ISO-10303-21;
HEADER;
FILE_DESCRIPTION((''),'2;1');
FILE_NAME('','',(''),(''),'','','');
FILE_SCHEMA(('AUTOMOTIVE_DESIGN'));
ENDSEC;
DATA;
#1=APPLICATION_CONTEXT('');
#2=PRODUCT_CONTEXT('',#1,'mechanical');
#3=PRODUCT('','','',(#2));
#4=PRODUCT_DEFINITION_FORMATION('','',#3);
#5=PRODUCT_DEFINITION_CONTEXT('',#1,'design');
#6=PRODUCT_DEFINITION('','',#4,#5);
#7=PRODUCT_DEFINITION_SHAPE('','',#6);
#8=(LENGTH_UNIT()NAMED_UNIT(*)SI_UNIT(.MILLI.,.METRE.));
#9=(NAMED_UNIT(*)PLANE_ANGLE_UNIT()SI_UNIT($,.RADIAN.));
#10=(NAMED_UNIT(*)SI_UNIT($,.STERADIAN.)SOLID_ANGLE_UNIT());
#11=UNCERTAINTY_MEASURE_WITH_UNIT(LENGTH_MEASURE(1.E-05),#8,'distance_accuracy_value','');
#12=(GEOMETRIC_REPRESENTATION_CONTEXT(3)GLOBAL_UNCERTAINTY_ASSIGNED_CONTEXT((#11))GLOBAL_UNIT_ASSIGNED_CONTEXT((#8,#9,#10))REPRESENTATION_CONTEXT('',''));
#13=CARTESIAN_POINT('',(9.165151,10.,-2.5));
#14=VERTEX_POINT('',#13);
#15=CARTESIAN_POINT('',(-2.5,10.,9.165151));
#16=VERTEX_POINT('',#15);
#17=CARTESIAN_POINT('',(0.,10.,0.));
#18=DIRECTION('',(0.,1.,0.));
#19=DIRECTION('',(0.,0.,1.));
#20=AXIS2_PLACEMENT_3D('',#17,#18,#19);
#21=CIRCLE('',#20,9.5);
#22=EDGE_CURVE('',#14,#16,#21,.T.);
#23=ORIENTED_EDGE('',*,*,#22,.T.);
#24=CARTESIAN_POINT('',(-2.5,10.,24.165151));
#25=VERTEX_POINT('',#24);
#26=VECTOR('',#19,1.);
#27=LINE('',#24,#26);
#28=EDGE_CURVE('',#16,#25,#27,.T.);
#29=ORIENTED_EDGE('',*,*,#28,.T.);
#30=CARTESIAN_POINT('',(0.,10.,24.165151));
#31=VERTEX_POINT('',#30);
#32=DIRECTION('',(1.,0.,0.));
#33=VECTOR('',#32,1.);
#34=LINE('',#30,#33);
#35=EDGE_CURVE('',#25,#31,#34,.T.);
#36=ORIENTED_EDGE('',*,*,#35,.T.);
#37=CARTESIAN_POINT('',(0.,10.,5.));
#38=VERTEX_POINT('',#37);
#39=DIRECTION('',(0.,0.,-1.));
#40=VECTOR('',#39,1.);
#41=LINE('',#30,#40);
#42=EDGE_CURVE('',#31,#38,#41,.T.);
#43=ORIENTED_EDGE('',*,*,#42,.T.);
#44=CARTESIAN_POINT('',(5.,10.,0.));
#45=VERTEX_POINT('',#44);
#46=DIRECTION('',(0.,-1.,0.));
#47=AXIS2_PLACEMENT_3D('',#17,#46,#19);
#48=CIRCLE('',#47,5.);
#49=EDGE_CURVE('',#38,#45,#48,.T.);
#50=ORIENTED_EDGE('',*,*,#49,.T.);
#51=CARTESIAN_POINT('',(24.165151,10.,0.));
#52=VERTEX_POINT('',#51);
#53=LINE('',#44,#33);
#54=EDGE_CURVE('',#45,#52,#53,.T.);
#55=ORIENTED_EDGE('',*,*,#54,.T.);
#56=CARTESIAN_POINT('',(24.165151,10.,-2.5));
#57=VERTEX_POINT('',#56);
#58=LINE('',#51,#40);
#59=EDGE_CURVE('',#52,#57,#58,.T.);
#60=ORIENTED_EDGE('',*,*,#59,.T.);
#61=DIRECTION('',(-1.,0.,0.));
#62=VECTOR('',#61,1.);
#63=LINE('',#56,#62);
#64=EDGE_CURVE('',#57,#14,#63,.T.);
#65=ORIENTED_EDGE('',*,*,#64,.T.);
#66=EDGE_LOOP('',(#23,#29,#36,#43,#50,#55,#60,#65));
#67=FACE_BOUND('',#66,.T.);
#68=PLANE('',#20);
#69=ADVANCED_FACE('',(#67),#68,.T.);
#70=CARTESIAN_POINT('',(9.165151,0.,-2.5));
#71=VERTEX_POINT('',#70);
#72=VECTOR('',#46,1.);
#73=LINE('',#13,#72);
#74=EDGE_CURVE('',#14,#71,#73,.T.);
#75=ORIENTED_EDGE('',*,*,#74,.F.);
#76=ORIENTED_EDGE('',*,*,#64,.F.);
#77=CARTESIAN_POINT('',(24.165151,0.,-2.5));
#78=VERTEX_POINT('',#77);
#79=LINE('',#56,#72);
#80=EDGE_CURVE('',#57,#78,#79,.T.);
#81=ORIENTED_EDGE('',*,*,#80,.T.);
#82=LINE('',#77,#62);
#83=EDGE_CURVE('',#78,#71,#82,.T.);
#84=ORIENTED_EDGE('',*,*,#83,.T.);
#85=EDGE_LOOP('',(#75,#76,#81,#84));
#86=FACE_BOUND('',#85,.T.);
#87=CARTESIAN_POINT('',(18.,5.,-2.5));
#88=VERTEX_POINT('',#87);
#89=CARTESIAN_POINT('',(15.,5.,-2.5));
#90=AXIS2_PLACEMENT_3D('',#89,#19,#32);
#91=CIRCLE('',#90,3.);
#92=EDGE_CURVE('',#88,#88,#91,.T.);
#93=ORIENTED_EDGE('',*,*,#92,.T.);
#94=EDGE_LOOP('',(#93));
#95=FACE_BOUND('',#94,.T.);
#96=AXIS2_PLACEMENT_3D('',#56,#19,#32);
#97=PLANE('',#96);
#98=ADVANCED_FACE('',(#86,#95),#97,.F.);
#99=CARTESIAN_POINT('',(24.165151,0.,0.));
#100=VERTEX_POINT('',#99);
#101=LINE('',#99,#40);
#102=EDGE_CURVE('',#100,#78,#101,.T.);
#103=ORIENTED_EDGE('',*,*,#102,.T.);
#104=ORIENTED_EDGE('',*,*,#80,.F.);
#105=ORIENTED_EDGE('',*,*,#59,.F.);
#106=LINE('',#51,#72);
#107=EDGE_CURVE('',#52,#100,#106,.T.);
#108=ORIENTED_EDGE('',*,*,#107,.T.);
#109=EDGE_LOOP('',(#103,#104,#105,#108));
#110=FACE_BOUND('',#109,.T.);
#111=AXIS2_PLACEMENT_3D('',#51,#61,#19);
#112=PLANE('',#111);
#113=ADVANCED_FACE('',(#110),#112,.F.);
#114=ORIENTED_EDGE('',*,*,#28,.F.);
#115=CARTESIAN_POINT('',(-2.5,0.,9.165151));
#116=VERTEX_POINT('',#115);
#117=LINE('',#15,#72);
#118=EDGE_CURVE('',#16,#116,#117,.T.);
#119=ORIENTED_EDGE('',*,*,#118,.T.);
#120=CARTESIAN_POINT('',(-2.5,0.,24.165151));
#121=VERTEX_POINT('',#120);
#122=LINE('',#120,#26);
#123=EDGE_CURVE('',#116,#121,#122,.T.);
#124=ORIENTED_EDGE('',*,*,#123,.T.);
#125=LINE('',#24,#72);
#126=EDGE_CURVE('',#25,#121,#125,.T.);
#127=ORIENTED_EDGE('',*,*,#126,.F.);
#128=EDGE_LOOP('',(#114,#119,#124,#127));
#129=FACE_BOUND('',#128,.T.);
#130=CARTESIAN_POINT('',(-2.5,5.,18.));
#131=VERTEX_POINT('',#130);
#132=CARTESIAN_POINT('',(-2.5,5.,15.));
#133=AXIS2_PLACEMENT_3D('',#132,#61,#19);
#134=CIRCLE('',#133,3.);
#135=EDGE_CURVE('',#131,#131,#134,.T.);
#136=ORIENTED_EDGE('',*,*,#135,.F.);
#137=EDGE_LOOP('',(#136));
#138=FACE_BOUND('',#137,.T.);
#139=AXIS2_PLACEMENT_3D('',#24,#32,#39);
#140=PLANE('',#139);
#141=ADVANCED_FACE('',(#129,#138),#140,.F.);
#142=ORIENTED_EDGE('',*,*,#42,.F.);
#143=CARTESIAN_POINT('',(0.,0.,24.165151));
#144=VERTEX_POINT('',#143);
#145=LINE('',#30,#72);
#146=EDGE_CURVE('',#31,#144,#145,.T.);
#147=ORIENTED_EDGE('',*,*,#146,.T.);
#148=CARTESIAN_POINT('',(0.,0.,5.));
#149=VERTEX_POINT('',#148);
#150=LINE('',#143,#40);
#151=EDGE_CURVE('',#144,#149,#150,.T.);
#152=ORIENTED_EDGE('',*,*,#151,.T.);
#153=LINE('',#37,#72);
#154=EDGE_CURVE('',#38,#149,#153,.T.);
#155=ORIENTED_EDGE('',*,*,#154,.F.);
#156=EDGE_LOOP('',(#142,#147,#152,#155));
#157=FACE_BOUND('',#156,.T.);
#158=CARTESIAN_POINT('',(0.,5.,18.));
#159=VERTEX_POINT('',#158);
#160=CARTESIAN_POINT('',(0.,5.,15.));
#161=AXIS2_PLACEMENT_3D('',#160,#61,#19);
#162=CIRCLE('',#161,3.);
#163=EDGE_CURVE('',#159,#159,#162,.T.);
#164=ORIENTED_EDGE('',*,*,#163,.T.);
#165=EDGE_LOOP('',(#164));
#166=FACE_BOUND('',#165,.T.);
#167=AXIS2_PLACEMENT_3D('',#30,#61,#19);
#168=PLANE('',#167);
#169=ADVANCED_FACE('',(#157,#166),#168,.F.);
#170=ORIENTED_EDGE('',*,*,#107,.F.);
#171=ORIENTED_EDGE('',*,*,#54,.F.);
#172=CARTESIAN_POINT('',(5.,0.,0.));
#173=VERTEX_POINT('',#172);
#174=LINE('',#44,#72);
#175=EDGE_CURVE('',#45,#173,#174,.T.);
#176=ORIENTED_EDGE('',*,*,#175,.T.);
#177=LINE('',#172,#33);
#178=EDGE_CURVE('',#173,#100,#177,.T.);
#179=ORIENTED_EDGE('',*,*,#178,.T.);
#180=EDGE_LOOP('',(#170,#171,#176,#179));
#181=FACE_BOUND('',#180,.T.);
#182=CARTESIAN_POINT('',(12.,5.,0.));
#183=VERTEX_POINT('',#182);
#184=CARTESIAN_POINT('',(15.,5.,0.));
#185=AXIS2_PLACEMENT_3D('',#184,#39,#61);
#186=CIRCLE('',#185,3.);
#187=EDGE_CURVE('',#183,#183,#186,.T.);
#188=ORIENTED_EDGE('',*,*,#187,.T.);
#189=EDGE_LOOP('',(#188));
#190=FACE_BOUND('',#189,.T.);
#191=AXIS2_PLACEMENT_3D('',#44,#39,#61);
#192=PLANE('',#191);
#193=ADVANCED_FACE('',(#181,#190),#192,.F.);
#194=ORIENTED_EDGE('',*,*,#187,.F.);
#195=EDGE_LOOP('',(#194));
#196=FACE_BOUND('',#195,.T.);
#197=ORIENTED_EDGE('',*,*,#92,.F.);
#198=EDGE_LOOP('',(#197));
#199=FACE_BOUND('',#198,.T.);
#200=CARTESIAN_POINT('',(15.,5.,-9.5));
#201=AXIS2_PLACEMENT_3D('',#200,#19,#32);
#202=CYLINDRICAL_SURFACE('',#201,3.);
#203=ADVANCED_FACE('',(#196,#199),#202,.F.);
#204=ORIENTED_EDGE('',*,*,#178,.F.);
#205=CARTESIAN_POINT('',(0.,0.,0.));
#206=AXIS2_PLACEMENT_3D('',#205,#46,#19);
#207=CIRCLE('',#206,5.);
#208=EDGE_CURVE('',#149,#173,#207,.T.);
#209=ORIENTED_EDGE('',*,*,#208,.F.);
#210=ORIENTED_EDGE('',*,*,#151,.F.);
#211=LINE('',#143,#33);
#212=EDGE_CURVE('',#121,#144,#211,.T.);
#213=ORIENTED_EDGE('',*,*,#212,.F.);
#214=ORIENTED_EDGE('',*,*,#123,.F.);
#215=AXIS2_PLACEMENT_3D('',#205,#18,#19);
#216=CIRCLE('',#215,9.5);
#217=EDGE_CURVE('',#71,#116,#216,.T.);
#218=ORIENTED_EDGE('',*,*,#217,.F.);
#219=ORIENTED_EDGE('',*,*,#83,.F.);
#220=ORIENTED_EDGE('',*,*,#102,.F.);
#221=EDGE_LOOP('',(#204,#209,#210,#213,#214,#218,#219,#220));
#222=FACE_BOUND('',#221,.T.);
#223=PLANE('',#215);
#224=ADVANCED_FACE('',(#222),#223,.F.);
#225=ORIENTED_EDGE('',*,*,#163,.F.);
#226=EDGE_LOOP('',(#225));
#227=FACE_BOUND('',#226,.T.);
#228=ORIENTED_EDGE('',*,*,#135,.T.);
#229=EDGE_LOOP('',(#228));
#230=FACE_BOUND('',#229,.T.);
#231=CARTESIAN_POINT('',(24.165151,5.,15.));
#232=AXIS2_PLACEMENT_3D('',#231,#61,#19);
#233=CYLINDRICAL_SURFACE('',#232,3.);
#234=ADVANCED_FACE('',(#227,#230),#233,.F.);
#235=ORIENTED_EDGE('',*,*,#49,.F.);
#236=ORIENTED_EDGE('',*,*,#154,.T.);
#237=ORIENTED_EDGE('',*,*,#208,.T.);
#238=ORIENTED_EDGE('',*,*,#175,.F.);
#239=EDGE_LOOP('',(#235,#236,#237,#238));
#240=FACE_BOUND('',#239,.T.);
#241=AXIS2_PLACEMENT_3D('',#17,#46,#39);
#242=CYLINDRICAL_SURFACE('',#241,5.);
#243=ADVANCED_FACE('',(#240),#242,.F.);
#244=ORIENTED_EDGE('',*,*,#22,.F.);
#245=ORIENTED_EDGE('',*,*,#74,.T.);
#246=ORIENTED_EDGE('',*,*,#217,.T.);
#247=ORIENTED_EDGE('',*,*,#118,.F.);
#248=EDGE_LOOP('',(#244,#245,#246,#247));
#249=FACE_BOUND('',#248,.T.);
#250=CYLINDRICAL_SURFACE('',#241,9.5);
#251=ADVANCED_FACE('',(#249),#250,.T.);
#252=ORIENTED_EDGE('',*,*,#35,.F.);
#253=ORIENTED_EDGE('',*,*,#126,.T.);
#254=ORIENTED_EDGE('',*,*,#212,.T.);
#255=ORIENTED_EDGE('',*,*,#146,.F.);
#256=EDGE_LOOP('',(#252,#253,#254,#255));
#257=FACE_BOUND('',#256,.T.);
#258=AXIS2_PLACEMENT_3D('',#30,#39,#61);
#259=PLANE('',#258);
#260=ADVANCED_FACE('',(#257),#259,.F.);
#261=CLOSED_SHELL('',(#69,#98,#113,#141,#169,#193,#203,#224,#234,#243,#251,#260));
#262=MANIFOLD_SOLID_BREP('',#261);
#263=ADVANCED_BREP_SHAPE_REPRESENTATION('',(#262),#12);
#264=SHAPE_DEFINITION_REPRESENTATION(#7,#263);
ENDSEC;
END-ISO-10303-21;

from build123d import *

# Parameters (mm, degrees)
BOSS_EXTRUDE1_DEPTH = 10
SKETCH2_R           = 3
CUT_EXTRUDE1_DEPTH  = 38.349495851
CIRPATTERN1_COUNT   = 2
CIRPATTERN1_ANGLE   = 90


with BuildPart() as part:
    # Sketch1 → Boss-Extrude1 (new body)
    with BuildSketch(Plane(origin=(0, 0, 0), x_dir=(1, 0, 0), z_dir=(0, 1, 0))):
        with BuildLine():
            Line((0, -24.16515139), (0, -5))
            ThreePointArc((0, -5), (-3.535533906, 3.535533906), (5, 0))
            Line((5, 0), (24.16515139, 0))
            Line((24.16515139, 0), (24.16515139, 2.5))
            Line((24.16515139, 2.5), (9.16515139, 2.5))
            ThreePointArc((9.16515139, 2.5), (-6.717514421, 6.717514421), (-2.5, -9.16515139))
            Line((-2.5, -9.16515139), (-2.5, -24.16515139))
            Line((-2.5, -24.16515139), (0, -24.16515139))
        make_face()
    extrude(amount=BOSS_EXTRUDE1_DEPTH)

    # Sketch2 → Cut-Extrude1 (cut, through all)
    with BuildSketch(Plane.ZY.offset(2.5)):
        with Locations((15, 5)):
            Circle(SKETCH2_R)
    cut_extrude1 = extrude(amount=-CUT_EXTRUDE1_DEPTH, mode=Mode.SUBTRACT)

    # CirPattern1: Cut-Extrude1 ×2 about axis
    cirpattern1_axis = Axis((0, 10, 0), (0, 1, 0))
    for i in range(1, CIRPATTERN1_COUNT):
        add(cut_extrude1.rotate(cirpattern1_axis, i * CIRPATTERN1_ANGLE / (CIRPATTERN1_COUNT - 1)), mode=Mode.SUBTRACT)


solid = part.part
